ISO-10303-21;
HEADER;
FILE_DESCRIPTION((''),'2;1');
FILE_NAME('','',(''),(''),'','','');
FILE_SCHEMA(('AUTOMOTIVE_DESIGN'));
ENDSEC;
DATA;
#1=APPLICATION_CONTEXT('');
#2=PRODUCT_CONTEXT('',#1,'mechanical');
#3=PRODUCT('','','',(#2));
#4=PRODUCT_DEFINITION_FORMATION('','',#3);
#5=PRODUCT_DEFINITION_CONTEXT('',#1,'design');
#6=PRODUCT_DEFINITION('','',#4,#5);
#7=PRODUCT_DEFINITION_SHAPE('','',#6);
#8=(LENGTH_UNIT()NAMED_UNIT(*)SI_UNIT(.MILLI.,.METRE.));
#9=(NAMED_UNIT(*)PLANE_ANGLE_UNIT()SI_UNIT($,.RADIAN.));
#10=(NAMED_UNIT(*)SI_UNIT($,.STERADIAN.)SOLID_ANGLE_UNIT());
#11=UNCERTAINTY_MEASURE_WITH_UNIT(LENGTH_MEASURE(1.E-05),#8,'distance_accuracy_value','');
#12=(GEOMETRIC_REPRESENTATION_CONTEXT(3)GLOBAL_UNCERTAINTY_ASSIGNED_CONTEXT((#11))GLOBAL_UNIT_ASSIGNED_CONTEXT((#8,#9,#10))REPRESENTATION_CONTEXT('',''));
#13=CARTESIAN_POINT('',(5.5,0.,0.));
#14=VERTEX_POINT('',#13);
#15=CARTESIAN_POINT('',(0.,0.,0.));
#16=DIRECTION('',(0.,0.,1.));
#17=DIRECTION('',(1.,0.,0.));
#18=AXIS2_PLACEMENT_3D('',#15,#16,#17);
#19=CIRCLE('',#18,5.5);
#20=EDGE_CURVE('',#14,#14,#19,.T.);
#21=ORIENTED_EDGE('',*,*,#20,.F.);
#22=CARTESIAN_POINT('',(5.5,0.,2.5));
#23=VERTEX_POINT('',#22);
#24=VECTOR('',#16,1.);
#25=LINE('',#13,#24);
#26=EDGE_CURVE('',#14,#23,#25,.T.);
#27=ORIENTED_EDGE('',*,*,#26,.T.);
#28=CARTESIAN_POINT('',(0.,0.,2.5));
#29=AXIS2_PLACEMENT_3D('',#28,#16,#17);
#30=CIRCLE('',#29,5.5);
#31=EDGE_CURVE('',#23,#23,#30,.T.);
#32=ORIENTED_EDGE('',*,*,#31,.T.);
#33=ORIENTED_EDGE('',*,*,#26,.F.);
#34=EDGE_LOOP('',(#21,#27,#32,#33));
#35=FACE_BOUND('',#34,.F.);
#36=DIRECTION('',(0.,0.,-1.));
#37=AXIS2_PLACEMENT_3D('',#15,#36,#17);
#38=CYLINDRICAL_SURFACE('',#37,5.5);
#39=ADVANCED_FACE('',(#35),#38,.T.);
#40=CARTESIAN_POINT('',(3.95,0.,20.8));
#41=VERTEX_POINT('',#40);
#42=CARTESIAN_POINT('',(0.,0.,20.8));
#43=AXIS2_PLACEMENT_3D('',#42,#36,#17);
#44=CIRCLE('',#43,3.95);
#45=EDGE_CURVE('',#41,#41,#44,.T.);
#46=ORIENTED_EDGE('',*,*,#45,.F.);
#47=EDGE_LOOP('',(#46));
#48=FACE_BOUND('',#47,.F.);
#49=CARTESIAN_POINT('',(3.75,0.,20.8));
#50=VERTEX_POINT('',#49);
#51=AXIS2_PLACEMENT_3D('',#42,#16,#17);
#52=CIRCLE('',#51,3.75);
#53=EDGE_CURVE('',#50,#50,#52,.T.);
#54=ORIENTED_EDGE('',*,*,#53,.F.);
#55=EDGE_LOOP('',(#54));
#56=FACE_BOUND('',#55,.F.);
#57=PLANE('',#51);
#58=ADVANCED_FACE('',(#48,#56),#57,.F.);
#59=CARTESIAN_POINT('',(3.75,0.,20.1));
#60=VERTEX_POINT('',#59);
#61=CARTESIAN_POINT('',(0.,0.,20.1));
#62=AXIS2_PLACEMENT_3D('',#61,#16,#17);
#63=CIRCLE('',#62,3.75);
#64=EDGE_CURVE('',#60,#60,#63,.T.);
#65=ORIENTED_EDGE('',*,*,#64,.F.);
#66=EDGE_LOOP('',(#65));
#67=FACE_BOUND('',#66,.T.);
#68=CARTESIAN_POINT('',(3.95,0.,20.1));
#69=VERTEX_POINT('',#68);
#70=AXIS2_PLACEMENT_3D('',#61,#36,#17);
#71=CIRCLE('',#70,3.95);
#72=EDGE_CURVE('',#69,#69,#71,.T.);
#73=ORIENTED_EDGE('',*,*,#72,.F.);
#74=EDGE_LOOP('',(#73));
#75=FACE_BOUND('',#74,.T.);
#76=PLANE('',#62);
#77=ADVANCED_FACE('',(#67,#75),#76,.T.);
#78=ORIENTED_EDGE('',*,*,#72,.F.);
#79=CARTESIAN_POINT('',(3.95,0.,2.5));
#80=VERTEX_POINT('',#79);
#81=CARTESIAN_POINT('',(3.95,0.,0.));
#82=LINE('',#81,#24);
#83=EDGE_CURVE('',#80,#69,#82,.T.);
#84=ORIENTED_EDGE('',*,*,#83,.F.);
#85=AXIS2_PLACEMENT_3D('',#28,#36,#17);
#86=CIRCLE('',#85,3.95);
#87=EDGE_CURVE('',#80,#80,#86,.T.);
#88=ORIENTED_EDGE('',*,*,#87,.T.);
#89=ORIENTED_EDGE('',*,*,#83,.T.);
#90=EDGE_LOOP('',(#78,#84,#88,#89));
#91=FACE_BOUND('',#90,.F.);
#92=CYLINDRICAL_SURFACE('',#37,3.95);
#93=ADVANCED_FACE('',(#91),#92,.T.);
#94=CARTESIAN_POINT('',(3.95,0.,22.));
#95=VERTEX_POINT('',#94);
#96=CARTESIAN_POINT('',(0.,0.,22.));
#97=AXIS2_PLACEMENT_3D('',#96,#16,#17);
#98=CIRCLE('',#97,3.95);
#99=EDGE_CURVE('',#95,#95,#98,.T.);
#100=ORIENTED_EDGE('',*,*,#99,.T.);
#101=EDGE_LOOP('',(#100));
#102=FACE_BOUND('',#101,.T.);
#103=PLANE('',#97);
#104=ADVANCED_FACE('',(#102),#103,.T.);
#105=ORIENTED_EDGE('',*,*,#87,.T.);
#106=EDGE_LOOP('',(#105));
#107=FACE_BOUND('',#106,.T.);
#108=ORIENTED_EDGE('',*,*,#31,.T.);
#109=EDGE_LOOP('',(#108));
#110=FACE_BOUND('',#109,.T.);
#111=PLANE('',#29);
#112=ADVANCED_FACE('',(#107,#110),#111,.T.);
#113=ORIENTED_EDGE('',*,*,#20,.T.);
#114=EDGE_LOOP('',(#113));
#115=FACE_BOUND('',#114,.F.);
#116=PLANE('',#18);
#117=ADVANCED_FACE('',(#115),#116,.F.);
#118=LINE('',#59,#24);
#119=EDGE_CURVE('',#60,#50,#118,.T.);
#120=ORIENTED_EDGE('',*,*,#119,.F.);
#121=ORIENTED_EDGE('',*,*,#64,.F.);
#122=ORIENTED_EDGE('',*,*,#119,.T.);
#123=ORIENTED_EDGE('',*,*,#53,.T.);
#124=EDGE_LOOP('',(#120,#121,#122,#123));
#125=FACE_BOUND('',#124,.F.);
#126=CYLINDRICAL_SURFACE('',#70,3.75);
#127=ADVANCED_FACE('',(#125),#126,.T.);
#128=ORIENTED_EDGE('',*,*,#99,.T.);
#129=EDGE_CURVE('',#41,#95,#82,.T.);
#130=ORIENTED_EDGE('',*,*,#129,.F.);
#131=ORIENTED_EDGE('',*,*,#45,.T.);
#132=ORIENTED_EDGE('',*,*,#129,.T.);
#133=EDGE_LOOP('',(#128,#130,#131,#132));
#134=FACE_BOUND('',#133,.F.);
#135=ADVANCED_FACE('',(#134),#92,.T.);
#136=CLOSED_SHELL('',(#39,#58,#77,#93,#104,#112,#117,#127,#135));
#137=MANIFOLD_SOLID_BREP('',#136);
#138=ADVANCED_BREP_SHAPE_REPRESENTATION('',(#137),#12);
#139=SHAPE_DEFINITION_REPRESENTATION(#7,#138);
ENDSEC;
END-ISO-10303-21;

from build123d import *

# Parameters (mm, degrees)
F0_R     = 3.95
F1_DEPTH = 22
F2_R     = 5.5
F3_DEPTH = 2.5
F4_R     = 7.435927
F4_R_2   = 3.75
F5_DEPTH = 0.7


with BuildPart() as f1:
    # F0 (on Top) → F1 (new body)
    with BuildSketch(Plane.XY):
        Circle(F0_R)
    extrude(amount=F1_DEPTH)

    # F2 (on Top) → F3 (join)
    with BuildSketch(Plane.XY):
        Circle(F2_R)
    extrude(amount=F3_DEPTH)


with BuildPart() as f5:
    # F4 (on Top) → F5 (new body)
    with BuildSketch(Plane.XY):
        Circle(F4_R)
        Circle(F4_R_2, mode=Mode.SUBTRACT)
    extrude(amount=F5_DEPTH)


with BuildPart() as f5_1:
    # F6: moved
    add(f5.part.moved(Location((0, 0, 20.1))))


with BuildPart() as f1_1:
    add(f1.part)

    # F7: cut F5
    add(f5_1.part, mode=Mode.SUBTRACT)


solid = f1_1.part
